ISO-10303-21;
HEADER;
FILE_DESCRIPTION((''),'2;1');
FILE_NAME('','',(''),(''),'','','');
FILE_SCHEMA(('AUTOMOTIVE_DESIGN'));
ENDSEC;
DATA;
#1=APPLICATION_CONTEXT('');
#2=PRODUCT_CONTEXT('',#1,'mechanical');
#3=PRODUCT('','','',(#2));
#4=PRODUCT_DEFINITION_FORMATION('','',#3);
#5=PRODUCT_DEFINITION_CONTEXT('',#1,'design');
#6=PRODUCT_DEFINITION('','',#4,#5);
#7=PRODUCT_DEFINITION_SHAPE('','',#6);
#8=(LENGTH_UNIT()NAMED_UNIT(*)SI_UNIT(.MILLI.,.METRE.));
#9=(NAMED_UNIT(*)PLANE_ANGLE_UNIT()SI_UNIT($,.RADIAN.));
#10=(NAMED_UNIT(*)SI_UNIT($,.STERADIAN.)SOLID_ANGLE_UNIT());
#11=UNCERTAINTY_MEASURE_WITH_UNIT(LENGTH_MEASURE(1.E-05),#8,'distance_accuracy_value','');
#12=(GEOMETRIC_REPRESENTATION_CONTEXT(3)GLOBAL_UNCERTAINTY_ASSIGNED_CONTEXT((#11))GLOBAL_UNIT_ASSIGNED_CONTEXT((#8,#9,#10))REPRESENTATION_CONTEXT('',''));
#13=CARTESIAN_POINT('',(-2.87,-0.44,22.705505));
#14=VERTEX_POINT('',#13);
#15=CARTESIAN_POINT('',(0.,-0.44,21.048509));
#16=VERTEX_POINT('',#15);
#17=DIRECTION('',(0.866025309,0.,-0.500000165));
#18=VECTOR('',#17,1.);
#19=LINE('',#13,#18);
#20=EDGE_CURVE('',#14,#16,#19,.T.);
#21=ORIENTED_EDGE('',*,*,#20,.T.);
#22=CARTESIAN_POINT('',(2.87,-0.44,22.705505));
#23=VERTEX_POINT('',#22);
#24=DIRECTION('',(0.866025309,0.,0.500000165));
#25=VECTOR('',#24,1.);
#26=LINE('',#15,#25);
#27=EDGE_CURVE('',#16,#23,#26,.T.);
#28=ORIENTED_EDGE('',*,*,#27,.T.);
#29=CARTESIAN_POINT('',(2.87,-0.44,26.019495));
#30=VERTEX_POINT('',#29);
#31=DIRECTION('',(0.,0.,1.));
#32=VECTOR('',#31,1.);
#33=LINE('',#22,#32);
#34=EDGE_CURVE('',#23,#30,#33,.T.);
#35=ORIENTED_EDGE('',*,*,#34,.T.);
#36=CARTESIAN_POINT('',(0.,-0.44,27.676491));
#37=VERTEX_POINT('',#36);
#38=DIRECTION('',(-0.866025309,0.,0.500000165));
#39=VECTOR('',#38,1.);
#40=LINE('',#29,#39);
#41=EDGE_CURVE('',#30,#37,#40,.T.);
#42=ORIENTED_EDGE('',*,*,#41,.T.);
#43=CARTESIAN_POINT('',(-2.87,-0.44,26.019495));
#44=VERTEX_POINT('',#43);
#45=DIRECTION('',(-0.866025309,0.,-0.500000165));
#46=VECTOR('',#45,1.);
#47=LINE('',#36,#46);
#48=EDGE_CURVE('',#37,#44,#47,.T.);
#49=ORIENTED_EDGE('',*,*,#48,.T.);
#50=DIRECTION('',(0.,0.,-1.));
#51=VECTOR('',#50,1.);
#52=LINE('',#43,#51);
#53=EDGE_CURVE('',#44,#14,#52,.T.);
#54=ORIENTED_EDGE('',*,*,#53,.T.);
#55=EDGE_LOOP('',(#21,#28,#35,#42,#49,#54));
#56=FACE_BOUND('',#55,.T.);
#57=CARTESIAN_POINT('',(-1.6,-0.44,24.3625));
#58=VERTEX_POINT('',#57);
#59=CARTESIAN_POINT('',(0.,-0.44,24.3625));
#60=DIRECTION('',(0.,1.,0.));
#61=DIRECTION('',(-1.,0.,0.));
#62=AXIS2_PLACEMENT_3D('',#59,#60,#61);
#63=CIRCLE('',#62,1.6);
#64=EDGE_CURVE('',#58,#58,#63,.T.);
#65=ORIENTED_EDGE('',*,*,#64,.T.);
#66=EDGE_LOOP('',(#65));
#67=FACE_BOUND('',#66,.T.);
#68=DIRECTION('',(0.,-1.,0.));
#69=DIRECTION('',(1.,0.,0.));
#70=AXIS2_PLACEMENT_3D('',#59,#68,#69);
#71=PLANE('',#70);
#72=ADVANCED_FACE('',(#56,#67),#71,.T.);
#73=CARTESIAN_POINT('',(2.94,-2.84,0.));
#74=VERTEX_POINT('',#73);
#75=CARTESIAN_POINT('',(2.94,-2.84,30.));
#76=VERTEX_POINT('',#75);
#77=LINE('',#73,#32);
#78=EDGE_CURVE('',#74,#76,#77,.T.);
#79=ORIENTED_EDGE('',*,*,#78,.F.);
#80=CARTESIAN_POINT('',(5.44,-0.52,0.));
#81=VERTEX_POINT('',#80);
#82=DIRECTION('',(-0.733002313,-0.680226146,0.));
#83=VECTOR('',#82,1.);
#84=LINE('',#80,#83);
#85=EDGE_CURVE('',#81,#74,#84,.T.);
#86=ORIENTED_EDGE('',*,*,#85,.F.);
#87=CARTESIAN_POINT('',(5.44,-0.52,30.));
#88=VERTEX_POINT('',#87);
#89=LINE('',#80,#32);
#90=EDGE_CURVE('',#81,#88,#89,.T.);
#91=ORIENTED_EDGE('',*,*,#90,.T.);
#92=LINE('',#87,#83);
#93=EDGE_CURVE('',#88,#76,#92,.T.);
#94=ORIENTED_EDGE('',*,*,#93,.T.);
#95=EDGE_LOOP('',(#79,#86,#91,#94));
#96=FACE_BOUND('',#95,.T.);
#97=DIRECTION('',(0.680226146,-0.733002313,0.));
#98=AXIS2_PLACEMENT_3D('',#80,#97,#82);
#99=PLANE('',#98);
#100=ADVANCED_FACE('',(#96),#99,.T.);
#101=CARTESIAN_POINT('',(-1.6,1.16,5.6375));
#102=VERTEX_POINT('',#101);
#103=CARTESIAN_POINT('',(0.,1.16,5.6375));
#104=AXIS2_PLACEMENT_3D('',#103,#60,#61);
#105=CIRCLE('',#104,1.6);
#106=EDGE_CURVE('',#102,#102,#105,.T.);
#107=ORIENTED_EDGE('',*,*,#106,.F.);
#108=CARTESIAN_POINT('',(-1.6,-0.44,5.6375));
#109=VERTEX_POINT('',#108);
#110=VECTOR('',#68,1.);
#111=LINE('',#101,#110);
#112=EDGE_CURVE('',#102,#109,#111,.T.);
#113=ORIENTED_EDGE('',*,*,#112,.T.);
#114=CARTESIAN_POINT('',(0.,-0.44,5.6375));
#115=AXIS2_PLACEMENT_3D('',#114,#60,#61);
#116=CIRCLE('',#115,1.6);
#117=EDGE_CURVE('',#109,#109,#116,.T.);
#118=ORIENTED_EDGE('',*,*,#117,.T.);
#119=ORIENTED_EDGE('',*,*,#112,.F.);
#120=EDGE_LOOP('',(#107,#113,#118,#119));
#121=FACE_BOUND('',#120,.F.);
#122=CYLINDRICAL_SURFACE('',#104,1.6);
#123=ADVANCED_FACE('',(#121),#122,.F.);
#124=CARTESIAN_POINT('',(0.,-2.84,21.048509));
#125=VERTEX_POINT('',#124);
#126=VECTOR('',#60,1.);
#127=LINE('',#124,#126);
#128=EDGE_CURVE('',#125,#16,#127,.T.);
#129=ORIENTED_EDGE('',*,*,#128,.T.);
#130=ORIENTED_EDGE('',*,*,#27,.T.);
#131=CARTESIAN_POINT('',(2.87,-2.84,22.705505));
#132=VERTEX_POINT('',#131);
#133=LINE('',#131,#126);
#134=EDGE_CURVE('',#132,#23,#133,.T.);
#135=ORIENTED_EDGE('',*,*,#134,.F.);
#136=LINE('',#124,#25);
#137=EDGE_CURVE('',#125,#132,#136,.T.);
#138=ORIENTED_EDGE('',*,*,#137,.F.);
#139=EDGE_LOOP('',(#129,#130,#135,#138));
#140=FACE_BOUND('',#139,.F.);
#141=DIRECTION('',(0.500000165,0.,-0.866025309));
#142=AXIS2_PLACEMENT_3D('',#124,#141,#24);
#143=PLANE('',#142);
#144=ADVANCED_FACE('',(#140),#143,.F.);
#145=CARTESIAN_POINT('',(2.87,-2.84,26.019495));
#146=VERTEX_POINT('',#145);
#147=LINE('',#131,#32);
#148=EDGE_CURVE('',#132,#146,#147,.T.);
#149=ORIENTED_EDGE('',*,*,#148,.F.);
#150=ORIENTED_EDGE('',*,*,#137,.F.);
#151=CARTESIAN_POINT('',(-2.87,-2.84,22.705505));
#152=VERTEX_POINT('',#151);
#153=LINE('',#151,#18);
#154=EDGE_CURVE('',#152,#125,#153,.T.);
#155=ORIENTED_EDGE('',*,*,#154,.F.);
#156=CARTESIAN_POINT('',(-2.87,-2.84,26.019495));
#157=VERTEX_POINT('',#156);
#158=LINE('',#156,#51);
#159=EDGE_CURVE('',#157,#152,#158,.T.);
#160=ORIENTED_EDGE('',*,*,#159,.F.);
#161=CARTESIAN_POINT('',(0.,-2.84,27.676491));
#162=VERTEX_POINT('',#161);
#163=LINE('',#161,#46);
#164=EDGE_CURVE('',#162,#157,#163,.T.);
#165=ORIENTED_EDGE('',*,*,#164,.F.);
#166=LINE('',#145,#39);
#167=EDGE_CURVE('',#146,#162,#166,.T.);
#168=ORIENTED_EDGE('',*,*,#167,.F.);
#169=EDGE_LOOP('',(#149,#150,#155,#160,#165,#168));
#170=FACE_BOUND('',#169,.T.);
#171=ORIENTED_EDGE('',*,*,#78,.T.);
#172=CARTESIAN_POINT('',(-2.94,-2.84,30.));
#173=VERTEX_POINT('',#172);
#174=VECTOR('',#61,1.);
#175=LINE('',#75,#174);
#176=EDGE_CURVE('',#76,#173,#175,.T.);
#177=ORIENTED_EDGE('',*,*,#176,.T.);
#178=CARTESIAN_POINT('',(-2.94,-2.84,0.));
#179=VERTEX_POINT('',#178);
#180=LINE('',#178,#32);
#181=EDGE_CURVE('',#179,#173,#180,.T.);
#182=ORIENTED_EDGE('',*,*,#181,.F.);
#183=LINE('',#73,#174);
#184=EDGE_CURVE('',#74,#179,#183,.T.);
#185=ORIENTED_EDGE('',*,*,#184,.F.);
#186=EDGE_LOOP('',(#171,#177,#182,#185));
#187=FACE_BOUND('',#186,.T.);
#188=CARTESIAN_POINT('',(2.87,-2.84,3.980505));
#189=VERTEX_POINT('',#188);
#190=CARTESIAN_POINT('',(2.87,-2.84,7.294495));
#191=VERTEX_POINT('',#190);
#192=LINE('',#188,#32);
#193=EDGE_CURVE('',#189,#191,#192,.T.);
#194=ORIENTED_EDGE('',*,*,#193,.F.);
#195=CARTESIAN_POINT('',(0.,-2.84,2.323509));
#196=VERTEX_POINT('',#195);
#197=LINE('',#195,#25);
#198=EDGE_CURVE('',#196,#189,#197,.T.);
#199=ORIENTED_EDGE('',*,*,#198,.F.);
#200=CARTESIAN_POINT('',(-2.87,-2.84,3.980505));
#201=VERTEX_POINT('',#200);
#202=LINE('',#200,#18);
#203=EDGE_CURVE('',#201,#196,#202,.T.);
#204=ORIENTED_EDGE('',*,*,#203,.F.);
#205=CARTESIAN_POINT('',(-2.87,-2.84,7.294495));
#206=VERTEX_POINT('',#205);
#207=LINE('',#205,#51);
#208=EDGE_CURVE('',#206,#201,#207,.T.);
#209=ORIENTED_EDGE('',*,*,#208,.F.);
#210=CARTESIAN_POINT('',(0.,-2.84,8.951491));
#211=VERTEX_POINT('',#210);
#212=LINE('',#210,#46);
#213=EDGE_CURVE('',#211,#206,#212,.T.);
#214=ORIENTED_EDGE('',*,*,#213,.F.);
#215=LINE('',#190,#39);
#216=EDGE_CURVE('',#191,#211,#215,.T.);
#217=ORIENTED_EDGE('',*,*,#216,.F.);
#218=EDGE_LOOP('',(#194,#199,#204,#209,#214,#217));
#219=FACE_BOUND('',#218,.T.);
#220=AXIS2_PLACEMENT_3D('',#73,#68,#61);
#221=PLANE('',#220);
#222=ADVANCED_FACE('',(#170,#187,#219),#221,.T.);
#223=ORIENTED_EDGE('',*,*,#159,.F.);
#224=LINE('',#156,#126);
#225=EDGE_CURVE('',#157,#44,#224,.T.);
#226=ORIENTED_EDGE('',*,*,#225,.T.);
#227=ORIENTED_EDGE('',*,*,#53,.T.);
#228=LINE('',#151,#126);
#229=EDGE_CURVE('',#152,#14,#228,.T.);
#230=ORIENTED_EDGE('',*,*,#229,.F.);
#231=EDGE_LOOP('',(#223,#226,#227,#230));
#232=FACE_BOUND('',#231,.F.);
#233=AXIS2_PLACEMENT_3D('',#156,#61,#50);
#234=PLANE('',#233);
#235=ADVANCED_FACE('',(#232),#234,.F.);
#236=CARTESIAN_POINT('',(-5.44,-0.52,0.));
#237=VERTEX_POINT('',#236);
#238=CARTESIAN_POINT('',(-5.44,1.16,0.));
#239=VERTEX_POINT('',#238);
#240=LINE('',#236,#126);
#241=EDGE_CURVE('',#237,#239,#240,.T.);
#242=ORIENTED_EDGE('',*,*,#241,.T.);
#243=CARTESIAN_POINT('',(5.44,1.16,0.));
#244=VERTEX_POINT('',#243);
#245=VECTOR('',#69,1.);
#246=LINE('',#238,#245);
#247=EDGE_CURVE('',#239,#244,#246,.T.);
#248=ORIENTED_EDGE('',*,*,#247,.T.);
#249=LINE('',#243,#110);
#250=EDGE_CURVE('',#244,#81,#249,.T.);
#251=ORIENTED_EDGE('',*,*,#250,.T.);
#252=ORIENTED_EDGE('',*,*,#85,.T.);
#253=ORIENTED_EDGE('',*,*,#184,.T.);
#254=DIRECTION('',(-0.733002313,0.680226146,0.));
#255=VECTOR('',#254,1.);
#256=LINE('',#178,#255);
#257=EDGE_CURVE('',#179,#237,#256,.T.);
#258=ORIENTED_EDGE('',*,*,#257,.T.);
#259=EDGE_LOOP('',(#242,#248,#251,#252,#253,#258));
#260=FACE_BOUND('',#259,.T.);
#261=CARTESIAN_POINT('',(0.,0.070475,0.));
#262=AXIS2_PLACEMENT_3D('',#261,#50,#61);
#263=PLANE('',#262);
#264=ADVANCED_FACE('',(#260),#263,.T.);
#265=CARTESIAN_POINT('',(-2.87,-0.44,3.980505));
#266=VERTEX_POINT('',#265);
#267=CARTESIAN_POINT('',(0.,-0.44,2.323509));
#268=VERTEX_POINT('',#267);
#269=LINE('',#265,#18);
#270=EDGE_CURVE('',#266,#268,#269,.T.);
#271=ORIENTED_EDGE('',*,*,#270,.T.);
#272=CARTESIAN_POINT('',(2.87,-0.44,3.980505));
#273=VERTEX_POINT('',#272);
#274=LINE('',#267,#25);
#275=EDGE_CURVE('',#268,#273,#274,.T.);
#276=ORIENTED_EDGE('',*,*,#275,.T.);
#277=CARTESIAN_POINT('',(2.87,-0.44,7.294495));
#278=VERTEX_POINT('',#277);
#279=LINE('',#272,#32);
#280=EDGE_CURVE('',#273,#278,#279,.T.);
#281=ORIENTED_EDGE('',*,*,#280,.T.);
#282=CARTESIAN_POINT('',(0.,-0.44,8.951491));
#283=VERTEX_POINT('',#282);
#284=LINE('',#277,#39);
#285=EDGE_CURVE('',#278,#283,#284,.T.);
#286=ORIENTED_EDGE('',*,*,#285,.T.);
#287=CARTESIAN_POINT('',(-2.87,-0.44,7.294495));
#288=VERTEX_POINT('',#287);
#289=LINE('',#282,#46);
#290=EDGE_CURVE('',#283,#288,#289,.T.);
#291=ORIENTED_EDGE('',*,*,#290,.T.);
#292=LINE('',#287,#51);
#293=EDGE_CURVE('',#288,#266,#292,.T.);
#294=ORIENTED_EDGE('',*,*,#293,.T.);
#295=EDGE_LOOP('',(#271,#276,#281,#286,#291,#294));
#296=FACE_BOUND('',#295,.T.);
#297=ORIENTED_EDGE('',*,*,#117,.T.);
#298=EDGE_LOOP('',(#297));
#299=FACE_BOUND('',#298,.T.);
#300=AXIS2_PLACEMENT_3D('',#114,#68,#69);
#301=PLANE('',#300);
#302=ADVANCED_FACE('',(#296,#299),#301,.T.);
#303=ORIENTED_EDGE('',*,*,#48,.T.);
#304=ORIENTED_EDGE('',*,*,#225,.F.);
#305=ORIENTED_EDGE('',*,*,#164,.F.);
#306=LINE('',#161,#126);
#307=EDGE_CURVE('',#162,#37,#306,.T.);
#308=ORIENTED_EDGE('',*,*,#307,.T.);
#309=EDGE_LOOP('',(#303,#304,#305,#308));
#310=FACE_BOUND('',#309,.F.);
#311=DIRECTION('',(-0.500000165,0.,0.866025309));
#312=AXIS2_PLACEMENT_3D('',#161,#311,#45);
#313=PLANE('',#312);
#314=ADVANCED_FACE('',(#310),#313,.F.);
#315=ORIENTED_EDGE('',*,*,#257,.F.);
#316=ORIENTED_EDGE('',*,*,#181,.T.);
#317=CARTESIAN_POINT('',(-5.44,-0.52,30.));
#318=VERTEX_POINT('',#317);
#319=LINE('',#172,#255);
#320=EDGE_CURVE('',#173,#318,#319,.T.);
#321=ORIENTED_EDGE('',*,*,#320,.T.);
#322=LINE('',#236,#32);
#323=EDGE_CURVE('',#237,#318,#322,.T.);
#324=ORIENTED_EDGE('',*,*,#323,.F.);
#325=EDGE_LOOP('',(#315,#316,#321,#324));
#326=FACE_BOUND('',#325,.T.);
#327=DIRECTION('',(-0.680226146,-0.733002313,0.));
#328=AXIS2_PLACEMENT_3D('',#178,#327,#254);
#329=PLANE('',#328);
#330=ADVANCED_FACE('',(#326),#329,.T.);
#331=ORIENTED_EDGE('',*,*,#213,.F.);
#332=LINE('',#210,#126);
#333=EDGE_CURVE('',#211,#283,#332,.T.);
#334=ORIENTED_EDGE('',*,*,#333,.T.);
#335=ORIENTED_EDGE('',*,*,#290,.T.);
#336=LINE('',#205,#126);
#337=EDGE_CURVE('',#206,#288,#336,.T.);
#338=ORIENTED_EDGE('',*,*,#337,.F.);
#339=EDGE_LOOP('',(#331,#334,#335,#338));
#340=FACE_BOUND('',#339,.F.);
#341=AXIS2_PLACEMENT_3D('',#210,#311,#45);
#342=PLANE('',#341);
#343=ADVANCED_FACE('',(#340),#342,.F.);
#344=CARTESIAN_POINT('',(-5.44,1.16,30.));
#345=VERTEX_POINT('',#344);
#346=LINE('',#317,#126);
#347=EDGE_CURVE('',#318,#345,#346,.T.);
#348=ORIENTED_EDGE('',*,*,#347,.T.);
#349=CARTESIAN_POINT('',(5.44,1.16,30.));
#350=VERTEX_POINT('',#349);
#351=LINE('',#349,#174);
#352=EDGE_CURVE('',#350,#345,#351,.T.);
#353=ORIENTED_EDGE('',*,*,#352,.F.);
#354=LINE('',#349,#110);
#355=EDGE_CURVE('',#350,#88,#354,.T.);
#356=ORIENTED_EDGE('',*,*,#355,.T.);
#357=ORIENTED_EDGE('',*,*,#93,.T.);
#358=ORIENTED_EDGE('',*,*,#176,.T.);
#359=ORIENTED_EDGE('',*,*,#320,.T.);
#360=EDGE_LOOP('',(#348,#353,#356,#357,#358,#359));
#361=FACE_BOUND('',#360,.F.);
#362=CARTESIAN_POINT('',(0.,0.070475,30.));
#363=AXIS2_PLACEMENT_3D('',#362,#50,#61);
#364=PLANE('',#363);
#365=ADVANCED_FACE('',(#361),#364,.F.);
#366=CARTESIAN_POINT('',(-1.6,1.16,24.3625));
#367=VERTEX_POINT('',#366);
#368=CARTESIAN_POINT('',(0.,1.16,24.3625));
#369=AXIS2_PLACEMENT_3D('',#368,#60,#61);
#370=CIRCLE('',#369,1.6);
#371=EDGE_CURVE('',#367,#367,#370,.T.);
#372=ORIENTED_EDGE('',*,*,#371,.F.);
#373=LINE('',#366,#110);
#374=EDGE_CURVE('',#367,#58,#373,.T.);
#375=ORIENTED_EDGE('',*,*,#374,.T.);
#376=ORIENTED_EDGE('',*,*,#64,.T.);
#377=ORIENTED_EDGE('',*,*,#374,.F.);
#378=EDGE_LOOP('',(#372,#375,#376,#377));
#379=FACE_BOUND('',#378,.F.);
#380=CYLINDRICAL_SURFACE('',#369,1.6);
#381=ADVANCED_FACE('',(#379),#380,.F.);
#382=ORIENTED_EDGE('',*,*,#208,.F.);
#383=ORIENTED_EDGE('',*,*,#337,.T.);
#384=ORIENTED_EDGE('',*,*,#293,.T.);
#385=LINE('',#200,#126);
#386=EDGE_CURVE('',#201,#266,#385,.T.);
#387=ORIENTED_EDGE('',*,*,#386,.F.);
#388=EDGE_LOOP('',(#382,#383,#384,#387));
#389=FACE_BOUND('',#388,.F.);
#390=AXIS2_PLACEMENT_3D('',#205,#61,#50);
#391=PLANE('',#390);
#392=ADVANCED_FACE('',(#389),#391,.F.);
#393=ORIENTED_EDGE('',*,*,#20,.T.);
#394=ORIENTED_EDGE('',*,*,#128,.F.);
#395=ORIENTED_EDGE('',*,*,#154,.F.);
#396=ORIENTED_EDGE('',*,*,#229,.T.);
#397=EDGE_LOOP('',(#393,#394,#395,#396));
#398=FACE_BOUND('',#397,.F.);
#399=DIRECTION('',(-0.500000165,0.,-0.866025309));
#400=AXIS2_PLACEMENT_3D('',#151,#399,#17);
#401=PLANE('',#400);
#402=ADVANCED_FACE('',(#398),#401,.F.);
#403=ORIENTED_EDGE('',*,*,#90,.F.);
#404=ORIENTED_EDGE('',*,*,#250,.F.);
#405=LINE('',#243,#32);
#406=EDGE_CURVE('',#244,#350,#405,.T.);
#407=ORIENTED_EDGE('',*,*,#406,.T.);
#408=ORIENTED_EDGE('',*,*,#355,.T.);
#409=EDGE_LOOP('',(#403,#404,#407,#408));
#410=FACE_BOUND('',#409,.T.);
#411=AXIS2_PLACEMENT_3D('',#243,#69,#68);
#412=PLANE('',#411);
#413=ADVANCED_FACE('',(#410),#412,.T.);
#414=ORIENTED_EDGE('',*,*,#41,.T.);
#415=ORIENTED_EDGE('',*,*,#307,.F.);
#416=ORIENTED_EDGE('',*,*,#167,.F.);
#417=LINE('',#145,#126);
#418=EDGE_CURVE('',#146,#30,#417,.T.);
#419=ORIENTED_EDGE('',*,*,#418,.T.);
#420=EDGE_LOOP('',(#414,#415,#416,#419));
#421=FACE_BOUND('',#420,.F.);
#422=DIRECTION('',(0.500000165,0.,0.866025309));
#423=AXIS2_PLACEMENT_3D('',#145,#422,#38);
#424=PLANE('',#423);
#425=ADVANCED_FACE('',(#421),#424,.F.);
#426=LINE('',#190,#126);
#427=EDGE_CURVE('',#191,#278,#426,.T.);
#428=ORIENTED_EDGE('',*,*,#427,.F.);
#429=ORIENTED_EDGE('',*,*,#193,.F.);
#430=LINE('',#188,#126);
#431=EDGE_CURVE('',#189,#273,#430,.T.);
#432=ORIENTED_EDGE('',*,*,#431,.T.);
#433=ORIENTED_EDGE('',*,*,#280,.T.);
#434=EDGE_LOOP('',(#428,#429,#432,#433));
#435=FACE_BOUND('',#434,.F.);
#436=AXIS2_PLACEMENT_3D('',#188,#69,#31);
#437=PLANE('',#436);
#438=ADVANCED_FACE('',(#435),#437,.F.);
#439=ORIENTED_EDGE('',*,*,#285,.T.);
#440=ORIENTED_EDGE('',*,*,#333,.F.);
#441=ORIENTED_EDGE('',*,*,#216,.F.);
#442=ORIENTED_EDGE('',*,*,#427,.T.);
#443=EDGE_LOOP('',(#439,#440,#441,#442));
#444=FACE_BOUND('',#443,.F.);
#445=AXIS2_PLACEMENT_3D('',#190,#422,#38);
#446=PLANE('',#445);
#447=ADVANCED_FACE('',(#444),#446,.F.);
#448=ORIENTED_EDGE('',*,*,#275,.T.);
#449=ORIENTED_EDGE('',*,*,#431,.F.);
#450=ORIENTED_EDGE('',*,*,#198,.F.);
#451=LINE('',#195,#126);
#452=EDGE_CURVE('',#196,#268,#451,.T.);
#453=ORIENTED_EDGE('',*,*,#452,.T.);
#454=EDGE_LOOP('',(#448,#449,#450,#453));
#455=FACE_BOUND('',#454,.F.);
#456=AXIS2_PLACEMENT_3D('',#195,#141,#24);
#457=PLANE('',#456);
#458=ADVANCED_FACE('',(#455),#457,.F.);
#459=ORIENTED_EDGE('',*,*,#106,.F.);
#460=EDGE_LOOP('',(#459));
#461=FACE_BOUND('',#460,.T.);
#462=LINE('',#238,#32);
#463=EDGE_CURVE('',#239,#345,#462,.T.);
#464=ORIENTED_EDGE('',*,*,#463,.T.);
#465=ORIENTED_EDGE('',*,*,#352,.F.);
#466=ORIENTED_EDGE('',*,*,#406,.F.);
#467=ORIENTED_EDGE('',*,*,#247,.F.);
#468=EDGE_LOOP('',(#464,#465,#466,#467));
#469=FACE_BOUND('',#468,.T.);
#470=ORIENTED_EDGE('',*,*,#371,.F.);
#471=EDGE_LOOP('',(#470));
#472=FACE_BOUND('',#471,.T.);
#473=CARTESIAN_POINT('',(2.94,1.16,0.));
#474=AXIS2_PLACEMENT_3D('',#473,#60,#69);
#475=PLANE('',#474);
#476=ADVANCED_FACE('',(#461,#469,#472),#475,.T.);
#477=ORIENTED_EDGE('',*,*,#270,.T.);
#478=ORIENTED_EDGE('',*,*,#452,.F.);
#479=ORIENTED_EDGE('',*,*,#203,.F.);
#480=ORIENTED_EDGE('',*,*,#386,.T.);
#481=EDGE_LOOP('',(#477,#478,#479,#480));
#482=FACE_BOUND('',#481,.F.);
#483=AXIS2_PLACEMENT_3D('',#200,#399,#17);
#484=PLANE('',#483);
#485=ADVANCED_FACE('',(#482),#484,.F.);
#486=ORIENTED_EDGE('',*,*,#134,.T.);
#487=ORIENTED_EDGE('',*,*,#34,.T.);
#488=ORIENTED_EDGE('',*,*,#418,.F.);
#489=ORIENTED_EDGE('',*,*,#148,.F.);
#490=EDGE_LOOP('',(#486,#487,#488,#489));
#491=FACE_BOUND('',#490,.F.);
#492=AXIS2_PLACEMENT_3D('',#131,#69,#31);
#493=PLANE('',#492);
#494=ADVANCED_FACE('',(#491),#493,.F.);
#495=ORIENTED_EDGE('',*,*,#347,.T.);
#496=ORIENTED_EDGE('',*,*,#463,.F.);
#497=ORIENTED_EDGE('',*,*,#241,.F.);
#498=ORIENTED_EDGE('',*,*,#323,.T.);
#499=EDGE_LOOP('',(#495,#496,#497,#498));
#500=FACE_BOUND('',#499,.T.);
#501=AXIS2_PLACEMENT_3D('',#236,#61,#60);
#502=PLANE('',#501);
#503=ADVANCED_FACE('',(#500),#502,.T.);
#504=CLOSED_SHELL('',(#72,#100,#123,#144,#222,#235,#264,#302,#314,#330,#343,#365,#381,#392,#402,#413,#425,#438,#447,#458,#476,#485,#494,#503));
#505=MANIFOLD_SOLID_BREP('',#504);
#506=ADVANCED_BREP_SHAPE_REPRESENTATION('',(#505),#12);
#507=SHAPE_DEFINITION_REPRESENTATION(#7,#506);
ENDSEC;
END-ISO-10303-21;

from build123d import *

# Parameters (mm, degrees)
PAD_DEPTH       = 30
SKETCH001_W     = 5.88
SKETCH001_H     = 1.68
POCKET_DEPTH    = 30
POCKET001_DEPTH = 2.4
SKETCH003_R     = 1.6
POCKET002_DEPTH = 4.001


with BuildPart() as part:
    # Sketch → Pad (new body)
    with BuildSketch(Plane.XY):
        Polygon((2.94, -2.84), (-2.94, -2.84), (-5.44, -0.52), (-5.44, 1.16), (-2.94, 1.16), (-2.94, 2.84), (2.94, 2.84), (2.94, 1.16), (5.44, 1.16), (5.44, -0.52), align=None)
    extrude(amount=PAD_DEPTH)

    # Sketch001 (on Face11 of Pad) → Pocket (cut)
    with BuildSketch(Plane(origin=(0, 0, 0), x_dir=(1, 0, 0), z_dir=(0, 0, -1))):
        with Locations((0, -2)):
            Rectangle(SKETCH001_W, SKETCH001_H)
    extrude(amount=-POCKET_DEPTH, mode=Mode.SUBTRACT)

    # Sketch002 (on Face1 of Pocket) → Pocket001 (cut)
    with BuildSketch(Plane.XZ.offset(2.84)):
        Polygon((0, 27.676491), (-2.87, 26.019495), (-2.87, 22.705505), (0, 21.048509), (2.87, 22.705505), (2.87, 26.019495), align=None)
        Polygon((2.87, 7.294495), (0, 8.951491), (-2.87, 7.294495), (-2.87, 3.980505), (0, 2.323509), (2.87, 3.980505), align=None)
    extrude(amount=-POCKET001_DEPTH, mode=Mode.SUBTRACT)

    # Sketch003 (on Face21 of Pocket001) → Pocket002 (cut, through all)
    with BuildSketch(Plane(origin=(0, 1.16, 0), x_dir=(-1, 0, 0), z_dir=(0, 1, 0))):
        with Locations((0, 24.3625)):
            Circle(SKETCH003_R)
        with Locations((0, 5.6375)):
            Circle(SKETCH003_R)
    extrude(amount=-POCKET002_DEPTH, mode=Mode.SUBTRACT)


solid = part.part
